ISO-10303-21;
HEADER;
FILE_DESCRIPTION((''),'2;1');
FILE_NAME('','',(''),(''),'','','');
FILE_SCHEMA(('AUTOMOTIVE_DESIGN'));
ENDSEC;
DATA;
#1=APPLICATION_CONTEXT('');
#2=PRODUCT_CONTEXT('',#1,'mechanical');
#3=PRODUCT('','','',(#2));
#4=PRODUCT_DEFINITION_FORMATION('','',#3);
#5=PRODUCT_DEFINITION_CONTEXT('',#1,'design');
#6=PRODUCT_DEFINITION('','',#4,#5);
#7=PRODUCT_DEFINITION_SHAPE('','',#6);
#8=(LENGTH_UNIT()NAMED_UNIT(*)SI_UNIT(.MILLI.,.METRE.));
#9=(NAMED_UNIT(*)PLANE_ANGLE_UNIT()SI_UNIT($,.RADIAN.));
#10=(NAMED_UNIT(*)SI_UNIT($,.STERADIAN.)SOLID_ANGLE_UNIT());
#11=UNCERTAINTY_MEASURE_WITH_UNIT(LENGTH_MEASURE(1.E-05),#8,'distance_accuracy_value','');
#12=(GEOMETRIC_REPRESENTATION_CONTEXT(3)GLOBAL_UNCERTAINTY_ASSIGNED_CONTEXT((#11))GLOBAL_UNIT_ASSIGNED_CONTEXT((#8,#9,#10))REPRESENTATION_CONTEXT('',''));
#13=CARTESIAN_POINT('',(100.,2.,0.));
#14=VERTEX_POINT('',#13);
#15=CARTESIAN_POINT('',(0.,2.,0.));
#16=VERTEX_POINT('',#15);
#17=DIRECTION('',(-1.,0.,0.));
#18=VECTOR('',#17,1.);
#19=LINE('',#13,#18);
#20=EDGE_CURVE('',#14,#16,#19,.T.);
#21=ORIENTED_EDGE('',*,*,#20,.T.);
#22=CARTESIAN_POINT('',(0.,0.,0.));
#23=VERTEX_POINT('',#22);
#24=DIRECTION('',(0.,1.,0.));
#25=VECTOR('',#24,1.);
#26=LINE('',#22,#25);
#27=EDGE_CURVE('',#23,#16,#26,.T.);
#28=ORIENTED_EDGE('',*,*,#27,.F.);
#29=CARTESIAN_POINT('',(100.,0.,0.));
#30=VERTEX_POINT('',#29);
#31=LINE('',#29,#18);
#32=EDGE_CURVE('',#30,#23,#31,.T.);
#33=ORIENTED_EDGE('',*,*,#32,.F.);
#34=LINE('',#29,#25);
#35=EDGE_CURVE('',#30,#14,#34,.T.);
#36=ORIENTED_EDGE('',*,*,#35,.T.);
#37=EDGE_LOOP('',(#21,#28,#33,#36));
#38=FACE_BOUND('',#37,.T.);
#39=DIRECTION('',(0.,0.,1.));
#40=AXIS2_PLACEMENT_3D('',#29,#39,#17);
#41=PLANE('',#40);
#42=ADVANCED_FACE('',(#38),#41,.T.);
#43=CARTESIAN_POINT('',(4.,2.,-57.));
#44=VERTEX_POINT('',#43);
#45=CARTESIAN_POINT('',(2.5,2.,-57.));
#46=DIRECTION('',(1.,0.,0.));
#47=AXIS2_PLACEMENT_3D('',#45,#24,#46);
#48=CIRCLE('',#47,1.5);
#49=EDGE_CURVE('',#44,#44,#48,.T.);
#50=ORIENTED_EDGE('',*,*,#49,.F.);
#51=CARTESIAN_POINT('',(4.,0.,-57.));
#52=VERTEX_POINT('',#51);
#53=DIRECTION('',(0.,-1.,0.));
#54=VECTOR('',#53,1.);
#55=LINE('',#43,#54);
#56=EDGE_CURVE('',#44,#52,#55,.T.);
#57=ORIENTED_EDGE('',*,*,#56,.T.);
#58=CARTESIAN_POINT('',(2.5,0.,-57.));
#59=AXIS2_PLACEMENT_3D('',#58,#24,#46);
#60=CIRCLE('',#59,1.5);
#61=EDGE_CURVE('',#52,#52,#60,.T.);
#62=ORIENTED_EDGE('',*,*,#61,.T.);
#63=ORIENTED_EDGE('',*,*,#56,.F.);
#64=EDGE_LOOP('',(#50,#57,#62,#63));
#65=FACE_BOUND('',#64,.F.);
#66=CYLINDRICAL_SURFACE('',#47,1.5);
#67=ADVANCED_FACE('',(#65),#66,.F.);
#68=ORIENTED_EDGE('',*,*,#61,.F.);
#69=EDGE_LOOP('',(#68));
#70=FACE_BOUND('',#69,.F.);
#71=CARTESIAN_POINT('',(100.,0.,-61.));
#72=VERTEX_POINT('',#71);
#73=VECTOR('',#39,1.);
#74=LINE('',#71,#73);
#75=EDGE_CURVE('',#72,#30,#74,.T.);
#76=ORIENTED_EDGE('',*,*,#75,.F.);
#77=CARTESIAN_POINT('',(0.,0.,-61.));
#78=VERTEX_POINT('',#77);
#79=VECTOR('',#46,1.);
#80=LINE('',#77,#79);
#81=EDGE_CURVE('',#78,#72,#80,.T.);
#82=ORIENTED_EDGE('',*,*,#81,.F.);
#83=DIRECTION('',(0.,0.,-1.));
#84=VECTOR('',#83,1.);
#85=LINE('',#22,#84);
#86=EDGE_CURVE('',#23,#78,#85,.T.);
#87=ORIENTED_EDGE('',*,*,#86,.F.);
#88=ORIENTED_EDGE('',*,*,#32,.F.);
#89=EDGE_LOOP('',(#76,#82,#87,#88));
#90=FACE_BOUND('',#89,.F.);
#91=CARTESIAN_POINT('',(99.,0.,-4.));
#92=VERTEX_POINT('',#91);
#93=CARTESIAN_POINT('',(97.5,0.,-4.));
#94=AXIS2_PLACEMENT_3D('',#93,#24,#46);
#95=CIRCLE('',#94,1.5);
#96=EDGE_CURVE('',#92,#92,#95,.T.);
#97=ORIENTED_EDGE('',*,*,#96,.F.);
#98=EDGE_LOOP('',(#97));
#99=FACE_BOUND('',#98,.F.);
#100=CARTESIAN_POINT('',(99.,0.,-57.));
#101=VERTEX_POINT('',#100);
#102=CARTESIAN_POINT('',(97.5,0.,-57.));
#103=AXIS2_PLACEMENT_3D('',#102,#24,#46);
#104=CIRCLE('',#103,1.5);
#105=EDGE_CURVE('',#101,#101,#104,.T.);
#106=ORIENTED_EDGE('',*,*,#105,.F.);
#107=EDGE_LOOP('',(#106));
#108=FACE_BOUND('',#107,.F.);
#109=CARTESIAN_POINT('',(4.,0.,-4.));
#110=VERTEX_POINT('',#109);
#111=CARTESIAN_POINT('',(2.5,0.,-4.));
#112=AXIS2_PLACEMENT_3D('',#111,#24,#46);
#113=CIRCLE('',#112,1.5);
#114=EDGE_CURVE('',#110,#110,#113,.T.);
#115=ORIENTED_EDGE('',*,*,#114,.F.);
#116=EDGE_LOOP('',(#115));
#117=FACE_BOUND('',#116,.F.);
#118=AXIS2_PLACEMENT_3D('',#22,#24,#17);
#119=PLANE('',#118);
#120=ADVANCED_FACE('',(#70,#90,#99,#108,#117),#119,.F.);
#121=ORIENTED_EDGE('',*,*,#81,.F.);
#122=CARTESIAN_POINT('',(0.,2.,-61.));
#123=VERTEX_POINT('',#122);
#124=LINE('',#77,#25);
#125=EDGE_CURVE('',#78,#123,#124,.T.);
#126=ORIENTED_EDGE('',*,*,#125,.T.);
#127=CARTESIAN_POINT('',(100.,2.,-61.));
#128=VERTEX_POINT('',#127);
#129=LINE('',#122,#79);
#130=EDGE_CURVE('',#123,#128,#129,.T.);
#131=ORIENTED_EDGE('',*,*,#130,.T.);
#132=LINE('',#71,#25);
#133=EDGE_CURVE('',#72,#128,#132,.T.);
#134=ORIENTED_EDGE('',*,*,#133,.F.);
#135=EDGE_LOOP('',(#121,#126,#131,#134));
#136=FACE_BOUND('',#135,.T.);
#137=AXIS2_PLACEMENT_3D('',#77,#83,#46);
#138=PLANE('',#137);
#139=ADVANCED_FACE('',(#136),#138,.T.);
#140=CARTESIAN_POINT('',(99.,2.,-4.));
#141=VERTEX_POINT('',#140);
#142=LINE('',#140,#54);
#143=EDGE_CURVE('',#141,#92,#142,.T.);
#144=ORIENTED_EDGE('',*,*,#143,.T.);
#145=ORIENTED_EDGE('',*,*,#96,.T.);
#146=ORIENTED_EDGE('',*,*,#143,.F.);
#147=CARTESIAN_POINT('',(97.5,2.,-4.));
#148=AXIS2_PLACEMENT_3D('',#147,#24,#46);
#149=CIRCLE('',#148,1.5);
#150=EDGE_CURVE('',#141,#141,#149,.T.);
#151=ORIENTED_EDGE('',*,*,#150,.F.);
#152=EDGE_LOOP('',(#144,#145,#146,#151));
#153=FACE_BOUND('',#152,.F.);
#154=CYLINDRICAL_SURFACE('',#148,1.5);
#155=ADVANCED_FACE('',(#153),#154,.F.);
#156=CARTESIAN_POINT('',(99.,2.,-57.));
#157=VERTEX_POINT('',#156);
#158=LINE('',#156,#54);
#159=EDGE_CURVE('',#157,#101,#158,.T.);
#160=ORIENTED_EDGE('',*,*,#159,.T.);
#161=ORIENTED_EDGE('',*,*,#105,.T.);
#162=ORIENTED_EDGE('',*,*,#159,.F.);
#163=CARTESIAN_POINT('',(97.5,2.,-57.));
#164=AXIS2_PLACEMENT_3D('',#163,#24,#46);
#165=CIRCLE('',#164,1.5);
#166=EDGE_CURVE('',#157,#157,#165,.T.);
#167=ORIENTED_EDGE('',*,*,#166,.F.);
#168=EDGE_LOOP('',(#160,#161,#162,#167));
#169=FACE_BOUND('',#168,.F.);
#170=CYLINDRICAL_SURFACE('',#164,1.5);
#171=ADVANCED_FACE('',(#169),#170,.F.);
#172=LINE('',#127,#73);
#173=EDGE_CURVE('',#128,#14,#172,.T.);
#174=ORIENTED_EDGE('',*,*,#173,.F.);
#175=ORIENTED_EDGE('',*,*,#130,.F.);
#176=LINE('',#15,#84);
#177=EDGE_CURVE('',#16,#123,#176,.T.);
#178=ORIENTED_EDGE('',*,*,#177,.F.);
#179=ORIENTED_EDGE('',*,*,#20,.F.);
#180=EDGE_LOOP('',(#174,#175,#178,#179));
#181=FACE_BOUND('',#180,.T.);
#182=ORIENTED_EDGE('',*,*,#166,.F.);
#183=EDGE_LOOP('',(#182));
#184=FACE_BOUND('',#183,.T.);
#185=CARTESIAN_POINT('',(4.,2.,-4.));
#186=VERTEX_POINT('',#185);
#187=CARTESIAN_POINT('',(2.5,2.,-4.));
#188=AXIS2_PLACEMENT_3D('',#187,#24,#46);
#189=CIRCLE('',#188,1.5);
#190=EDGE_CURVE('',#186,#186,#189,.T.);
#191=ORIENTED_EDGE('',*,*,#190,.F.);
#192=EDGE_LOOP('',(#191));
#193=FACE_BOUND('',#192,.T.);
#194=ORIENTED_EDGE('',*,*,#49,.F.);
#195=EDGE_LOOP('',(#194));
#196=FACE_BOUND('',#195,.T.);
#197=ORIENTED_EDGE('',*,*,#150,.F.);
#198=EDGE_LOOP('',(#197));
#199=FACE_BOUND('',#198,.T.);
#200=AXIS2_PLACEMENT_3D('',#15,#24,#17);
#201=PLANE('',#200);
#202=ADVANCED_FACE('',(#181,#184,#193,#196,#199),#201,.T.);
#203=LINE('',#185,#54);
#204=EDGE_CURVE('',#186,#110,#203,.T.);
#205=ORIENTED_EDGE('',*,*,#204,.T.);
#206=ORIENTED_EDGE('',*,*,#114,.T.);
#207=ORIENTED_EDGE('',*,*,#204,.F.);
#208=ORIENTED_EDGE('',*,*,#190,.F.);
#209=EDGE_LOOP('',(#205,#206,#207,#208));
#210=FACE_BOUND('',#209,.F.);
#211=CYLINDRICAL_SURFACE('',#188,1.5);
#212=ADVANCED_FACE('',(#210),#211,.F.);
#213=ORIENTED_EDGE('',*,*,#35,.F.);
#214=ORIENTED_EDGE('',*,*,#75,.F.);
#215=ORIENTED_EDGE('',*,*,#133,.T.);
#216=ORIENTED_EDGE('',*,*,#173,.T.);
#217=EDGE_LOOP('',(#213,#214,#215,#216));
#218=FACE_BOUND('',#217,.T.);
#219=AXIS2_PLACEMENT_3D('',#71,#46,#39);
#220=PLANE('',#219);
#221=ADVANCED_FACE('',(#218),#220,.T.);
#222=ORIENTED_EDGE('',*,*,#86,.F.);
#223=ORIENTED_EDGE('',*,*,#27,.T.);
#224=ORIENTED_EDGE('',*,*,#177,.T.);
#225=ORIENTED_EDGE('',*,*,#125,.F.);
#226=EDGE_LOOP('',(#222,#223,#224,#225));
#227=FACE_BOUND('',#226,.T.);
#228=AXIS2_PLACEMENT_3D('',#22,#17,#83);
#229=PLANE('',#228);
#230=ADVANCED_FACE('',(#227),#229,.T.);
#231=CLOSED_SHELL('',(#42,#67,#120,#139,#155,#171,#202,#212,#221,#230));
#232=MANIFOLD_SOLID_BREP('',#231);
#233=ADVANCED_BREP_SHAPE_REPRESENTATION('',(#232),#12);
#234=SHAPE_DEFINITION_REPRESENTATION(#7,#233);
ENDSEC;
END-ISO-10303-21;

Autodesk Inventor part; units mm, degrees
ref_plane "YZ Plane" through (0, 0, 0) normal (1, 0, 0) x (0, 1, 0)
ref_plane "XZ Plane" through (0, 0, 0) normal (0, 1, 0) x (-1, 0, 0)
ref_plane "XY Plane" through (0, 0, 0) normal (0, 0, 1) x (1, 0, 0)
sketch "Sketch1" plane through (0, 0, 0) normal (0, 1, 0) x (-1, 0, 0)
  line L0 (0, -61) -> (-100, -61)
  line L1 (-100, -61) -> (-100, 0)
  line L2 (-100, 0) -> (0, 0)
  line L3 (0, 0) -> (0, -61)
  dimension "d0" = 100
  dimension "d1" = 61
extrude "Extrusion1" add sketch "Sketch1" along normal blind 2
sketch "Sketch2" plane through (0, 2, 0) normal (0, 1, 0) x (1, 0, 0)
  circle A0 centre (97.5, 57) radius 1.5
  circle A1 centre (97.5, 4) radius 1.5
  circle A2 centre (2.5, 4) radius 1.5
  circle A3 centre (2.5, 57) radius 1.5
  line L0 (100, 0) -> (100, 61) projected
  line L1 (100, 61) -> (0, 61) projected
  line L2 (0, 0) -> (100, 0) projected
  line L3 (0, 61) -> (0, 0) projected
  dimension "d4" = 2.5
  dimension "d5" = 4
  dimension "d6" = 3
  dimension "d7" = 2.5
  dimension "d8" = 4
  dimension "d9" = 4
  dimension "d10" = 2.5
  dimension "d11" = 4
  dimension "d12" = 2.5
extrude "Extrusion2" cut sketch "Sketch2" against normal blind 4 contours A0 | A1 | A2 | A3
properties part number "FSCase_Battery_Cover_v6"
